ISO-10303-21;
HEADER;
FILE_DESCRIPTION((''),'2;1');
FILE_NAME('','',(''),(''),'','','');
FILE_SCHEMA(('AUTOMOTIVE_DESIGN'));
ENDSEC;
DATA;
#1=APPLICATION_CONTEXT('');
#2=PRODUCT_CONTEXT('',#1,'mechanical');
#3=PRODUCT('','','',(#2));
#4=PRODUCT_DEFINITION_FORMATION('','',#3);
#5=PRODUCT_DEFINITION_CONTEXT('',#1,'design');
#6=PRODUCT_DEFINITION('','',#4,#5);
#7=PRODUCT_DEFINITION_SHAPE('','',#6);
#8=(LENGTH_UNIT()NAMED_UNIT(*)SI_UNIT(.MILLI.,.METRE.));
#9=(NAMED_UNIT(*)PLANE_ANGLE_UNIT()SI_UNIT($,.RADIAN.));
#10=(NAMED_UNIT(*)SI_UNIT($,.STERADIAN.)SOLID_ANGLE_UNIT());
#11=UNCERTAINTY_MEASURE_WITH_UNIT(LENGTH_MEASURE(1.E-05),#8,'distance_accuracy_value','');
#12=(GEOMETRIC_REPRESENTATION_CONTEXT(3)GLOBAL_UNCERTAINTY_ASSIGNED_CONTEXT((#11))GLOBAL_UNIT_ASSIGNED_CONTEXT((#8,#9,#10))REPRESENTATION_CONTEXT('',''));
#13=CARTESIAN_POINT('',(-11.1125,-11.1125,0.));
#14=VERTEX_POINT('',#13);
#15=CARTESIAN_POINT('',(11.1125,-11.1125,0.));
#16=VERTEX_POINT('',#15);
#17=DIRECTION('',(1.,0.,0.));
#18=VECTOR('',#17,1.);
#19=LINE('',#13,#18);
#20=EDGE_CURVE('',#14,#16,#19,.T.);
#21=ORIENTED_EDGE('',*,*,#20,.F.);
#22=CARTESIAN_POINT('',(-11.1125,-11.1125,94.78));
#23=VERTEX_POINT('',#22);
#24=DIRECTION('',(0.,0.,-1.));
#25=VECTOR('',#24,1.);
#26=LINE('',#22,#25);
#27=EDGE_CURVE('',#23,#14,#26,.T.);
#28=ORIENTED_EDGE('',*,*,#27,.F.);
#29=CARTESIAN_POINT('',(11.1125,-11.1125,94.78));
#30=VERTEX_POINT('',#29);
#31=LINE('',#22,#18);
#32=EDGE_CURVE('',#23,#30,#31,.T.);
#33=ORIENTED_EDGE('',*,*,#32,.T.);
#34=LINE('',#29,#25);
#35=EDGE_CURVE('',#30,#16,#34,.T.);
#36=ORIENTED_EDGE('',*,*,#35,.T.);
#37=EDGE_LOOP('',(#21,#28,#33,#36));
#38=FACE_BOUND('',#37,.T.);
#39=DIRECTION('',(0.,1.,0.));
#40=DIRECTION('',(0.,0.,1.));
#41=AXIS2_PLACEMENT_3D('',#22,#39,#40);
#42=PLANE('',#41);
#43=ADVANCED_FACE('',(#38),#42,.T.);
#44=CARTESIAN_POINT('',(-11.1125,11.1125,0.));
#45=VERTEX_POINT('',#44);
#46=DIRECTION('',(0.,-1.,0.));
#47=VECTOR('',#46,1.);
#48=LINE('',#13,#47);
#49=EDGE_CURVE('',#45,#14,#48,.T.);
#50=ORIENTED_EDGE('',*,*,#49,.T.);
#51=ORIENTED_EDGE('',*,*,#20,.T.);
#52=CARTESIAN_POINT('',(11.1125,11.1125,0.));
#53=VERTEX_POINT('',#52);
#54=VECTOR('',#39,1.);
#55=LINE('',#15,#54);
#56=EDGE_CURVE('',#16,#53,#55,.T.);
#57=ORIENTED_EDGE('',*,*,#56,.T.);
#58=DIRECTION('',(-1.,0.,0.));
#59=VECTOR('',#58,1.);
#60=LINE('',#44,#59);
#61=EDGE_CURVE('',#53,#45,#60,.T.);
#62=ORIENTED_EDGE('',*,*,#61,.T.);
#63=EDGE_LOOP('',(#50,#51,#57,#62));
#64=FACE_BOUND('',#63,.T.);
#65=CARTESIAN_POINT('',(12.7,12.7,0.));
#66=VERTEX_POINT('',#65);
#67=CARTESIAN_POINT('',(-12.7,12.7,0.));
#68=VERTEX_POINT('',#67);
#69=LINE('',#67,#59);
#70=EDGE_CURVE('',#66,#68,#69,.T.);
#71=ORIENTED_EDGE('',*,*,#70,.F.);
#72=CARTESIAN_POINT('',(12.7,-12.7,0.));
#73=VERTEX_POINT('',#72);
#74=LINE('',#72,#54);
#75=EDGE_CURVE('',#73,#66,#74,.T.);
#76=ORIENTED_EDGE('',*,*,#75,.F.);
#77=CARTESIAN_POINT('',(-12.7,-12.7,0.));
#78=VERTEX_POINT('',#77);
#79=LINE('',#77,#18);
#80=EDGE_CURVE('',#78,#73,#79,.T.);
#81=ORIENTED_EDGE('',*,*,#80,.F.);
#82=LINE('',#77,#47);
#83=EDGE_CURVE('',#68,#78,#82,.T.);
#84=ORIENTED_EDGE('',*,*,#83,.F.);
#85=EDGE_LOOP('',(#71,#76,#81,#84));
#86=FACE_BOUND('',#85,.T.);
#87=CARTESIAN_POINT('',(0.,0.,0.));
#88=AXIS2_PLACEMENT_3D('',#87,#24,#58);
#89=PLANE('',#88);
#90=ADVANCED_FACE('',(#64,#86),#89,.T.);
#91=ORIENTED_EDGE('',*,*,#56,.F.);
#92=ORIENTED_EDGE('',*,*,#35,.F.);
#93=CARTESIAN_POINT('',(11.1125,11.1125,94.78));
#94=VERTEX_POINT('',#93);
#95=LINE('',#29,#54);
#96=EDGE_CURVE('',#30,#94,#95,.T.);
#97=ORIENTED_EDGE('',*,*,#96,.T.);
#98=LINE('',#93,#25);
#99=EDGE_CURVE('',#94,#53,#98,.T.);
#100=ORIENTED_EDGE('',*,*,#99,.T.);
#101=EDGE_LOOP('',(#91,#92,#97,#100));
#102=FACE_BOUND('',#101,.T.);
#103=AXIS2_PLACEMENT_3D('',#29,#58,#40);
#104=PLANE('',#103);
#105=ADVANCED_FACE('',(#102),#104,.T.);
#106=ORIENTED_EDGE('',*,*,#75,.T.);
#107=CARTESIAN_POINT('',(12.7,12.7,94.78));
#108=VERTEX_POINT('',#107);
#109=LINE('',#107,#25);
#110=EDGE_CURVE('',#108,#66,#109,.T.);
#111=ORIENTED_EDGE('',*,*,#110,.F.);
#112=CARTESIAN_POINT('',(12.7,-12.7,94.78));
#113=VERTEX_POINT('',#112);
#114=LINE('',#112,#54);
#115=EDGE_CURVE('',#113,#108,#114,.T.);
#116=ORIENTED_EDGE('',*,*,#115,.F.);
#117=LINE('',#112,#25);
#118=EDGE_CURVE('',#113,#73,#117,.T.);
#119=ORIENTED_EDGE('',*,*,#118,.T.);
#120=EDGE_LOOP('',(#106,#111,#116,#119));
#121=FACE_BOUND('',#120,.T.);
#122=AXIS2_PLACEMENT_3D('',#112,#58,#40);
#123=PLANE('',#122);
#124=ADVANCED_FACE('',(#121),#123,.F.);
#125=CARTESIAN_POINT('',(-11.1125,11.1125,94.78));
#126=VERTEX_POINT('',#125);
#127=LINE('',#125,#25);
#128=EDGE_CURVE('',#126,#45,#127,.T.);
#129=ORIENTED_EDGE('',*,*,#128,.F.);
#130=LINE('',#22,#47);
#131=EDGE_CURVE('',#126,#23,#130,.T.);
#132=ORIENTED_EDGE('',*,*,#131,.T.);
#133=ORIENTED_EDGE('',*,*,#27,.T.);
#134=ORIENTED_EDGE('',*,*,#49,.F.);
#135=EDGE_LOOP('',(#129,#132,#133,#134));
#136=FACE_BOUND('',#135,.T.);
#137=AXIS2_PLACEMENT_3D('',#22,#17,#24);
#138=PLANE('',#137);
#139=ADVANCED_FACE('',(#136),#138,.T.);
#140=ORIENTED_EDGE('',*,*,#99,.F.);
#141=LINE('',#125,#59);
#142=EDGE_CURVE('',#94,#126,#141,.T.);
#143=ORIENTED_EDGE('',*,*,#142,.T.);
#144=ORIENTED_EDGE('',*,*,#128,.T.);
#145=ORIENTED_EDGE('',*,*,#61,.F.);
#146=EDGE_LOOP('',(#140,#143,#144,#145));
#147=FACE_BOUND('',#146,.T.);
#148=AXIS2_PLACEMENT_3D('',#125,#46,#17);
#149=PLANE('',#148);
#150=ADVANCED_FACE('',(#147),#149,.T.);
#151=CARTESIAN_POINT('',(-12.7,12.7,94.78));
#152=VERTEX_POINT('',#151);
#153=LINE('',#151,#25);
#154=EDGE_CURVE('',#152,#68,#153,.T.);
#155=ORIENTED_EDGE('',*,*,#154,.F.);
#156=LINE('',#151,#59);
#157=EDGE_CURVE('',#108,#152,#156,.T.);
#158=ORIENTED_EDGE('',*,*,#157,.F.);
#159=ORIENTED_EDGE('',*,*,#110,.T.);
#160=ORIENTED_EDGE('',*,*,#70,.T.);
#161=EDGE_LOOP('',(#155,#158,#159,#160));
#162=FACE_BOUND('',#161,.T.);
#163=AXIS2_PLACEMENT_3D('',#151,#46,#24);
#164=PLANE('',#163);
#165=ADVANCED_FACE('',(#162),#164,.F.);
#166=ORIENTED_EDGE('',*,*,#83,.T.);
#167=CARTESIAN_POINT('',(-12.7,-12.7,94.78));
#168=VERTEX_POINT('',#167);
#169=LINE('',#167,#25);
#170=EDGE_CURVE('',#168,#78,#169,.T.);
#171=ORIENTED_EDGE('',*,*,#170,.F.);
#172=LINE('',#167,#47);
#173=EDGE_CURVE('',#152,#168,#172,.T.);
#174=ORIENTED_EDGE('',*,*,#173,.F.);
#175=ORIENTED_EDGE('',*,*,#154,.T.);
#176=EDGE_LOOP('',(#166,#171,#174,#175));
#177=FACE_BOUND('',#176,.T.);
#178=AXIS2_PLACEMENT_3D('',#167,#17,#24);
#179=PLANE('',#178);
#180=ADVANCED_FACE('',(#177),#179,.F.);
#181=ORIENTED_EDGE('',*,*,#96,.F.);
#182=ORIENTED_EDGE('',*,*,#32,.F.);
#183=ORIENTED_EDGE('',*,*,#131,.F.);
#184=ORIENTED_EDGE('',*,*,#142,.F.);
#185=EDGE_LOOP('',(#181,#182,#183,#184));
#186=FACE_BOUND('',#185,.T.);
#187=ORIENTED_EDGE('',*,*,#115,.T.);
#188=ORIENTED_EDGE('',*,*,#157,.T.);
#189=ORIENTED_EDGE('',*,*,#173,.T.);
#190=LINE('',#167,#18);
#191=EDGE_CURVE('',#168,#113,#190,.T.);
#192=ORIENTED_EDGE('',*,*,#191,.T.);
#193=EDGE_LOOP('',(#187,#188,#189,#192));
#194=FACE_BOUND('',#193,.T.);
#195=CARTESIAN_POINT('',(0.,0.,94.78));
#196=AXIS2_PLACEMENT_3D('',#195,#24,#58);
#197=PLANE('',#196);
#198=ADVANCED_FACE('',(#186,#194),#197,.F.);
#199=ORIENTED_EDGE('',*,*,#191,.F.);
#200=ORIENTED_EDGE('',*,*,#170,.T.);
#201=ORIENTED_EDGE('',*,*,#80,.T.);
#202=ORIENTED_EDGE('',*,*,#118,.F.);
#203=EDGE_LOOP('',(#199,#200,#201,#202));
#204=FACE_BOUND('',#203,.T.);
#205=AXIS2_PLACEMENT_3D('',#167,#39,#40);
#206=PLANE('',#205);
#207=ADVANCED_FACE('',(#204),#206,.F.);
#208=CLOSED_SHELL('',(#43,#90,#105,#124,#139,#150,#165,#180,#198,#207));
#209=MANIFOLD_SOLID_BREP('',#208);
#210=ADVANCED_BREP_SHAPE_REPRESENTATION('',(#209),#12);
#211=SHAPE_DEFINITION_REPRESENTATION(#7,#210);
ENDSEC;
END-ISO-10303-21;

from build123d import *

# Parameters (mm, degrees)
SKETCH1_W           = 25.4
SKETCH1_H           = 25.4
SKETCH1_W_2         = 22.225
SKETCH1_H_2         = 22.225
BOSS_EXTRUDE1_DEPTH = 94.78


with BuildPart() as part:
    # Sketch1 → Boss-Extrude1 (new body)
    with BuildSketch(Plane.XY):
        Rectangle(SKETCH1_W, SKETCH1_H)
        Rectangle(SKETCH1_W_2, SKETCH1_H_2, mode=Mode.SUBTRACT)
    extrude(amount=BOSS_EXTRUDE1_DEPTH)


solid = part.part
